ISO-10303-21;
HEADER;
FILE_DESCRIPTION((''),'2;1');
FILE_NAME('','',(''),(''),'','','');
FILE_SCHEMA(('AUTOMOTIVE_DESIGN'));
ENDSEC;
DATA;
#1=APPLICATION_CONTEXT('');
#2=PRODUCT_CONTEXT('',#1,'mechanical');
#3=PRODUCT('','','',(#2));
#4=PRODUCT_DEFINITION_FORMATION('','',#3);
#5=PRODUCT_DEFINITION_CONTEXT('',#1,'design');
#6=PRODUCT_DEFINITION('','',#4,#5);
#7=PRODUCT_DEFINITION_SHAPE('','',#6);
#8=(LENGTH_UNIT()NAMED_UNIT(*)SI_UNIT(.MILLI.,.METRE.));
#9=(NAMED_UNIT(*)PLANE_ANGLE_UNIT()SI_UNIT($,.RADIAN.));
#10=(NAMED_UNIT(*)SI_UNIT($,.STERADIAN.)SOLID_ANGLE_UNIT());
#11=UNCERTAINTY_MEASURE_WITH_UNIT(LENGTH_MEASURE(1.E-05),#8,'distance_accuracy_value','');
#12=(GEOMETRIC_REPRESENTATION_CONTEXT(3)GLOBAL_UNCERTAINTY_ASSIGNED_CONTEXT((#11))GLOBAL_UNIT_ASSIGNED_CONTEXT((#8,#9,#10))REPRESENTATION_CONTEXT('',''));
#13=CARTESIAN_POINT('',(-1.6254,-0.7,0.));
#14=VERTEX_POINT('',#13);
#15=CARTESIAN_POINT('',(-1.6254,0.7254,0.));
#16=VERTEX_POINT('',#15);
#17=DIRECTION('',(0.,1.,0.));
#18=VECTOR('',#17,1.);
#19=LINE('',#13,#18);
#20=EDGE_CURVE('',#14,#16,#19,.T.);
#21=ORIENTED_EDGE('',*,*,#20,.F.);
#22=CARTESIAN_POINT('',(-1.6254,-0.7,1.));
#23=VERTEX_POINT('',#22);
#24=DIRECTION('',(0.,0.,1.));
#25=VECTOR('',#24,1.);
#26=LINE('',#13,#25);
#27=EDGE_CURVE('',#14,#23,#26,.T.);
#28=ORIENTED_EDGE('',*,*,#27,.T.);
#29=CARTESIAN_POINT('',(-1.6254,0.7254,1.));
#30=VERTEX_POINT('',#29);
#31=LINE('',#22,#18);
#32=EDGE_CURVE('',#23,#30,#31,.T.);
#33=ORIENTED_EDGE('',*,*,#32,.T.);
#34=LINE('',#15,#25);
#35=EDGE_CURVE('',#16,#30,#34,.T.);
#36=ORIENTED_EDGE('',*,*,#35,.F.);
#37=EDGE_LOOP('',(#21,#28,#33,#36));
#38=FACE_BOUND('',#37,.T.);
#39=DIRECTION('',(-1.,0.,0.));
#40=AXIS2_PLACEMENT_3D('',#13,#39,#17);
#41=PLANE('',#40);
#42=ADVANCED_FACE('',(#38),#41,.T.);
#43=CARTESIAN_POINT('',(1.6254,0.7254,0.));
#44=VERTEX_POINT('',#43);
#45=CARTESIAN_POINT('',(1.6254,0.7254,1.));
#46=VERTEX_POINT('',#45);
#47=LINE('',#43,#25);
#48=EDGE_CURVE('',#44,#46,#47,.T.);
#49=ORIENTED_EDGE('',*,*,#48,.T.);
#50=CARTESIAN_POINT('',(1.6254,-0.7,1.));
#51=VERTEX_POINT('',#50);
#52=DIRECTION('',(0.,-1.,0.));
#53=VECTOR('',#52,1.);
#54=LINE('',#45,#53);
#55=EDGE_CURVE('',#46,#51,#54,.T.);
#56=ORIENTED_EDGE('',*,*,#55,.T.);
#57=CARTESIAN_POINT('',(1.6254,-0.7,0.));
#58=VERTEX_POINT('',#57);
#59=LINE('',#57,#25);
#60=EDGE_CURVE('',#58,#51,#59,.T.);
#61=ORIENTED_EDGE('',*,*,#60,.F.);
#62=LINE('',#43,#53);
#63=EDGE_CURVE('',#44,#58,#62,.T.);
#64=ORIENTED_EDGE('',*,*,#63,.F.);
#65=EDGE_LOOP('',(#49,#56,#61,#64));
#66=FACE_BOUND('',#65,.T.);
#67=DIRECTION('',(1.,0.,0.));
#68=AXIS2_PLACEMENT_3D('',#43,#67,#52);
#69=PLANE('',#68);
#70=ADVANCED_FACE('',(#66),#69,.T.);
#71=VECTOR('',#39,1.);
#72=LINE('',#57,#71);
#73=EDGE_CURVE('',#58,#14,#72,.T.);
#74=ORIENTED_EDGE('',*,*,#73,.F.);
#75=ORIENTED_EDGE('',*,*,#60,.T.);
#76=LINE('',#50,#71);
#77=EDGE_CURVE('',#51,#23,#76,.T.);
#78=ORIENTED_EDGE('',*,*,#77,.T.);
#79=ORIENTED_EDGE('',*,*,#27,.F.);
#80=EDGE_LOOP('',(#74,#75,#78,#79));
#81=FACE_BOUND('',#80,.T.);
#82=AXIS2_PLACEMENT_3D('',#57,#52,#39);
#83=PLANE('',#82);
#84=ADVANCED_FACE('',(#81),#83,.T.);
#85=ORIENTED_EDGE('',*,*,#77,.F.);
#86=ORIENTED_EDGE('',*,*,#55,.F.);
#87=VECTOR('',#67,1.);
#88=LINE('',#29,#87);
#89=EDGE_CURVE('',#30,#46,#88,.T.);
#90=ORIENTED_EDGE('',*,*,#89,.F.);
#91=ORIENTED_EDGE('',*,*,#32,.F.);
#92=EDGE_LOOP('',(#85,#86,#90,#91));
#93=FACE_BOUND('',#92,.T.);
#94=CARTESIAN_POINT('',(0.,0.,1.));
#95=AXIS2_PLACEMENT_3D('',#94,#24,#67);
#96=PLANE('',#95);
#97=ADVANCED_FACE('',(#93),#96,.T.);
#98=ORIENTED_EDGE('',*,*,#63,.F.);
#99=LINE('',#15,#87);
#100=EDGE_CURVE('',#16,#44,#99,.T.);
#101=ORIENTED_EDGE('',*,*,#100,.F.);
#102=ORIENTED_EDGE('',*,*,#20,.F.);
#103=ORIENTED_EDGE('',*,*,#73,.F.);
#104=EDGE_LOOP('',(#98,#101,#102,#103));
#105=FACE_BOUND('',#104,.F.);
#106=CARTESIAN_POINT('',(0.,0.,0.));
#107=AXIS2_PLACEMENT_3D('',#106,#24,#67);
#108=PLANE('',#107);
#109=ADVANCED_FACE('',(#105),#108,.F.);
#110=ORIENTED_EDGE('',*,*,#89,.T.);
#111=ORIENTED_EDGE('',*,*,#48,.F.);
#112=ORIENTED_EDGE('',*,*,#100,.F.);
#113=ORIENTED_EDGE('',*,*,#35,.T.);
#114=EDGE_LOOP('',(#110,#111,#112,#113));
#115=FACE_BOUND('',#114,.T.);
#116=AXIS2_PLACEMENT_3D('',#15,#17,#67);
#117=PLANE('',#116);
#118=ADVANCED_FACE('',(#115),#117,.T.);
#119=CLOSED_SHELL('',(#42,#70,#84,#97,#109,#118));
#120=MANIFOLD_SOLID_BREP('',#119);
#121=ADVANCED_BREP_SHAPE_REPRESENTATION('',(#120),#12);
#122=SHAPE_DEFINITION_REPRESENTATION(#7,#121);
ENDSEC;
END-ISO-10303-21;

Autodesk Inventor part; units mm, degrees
ref_plane "YZ Plane" through (0, 0, 0) normal (1, 0, 0) x (0, 1, 0)
ref_plane "XZ Plane" through (0, 0, 0) normal (0, 1, 0) x (-1, 0, 0)
ref_plane "XY Plane" through (0, 0, 0) normal (0, 0, 1) x (1, 0, 0)
sketch "0603, 10K_46" plane through (0, 0, 0) normal (0, 0, 1) x (1, 0, 0)
  line L0 (-1.6254, 0.7254) -> (1.6254, 0.7254)
  line L1 (1.6254, 0.7254) -> (1.6254, -0.7)
  line L2 (1.6254, -0.7) -> (-1.6254, -0.7)
  line L3 (-1.6254, -0.7) -> (-1.6254, 0.7254)
extrude "Extrusion1" add sketch "0603, 10K_46" along normal blind 1
properties part number "10K"
